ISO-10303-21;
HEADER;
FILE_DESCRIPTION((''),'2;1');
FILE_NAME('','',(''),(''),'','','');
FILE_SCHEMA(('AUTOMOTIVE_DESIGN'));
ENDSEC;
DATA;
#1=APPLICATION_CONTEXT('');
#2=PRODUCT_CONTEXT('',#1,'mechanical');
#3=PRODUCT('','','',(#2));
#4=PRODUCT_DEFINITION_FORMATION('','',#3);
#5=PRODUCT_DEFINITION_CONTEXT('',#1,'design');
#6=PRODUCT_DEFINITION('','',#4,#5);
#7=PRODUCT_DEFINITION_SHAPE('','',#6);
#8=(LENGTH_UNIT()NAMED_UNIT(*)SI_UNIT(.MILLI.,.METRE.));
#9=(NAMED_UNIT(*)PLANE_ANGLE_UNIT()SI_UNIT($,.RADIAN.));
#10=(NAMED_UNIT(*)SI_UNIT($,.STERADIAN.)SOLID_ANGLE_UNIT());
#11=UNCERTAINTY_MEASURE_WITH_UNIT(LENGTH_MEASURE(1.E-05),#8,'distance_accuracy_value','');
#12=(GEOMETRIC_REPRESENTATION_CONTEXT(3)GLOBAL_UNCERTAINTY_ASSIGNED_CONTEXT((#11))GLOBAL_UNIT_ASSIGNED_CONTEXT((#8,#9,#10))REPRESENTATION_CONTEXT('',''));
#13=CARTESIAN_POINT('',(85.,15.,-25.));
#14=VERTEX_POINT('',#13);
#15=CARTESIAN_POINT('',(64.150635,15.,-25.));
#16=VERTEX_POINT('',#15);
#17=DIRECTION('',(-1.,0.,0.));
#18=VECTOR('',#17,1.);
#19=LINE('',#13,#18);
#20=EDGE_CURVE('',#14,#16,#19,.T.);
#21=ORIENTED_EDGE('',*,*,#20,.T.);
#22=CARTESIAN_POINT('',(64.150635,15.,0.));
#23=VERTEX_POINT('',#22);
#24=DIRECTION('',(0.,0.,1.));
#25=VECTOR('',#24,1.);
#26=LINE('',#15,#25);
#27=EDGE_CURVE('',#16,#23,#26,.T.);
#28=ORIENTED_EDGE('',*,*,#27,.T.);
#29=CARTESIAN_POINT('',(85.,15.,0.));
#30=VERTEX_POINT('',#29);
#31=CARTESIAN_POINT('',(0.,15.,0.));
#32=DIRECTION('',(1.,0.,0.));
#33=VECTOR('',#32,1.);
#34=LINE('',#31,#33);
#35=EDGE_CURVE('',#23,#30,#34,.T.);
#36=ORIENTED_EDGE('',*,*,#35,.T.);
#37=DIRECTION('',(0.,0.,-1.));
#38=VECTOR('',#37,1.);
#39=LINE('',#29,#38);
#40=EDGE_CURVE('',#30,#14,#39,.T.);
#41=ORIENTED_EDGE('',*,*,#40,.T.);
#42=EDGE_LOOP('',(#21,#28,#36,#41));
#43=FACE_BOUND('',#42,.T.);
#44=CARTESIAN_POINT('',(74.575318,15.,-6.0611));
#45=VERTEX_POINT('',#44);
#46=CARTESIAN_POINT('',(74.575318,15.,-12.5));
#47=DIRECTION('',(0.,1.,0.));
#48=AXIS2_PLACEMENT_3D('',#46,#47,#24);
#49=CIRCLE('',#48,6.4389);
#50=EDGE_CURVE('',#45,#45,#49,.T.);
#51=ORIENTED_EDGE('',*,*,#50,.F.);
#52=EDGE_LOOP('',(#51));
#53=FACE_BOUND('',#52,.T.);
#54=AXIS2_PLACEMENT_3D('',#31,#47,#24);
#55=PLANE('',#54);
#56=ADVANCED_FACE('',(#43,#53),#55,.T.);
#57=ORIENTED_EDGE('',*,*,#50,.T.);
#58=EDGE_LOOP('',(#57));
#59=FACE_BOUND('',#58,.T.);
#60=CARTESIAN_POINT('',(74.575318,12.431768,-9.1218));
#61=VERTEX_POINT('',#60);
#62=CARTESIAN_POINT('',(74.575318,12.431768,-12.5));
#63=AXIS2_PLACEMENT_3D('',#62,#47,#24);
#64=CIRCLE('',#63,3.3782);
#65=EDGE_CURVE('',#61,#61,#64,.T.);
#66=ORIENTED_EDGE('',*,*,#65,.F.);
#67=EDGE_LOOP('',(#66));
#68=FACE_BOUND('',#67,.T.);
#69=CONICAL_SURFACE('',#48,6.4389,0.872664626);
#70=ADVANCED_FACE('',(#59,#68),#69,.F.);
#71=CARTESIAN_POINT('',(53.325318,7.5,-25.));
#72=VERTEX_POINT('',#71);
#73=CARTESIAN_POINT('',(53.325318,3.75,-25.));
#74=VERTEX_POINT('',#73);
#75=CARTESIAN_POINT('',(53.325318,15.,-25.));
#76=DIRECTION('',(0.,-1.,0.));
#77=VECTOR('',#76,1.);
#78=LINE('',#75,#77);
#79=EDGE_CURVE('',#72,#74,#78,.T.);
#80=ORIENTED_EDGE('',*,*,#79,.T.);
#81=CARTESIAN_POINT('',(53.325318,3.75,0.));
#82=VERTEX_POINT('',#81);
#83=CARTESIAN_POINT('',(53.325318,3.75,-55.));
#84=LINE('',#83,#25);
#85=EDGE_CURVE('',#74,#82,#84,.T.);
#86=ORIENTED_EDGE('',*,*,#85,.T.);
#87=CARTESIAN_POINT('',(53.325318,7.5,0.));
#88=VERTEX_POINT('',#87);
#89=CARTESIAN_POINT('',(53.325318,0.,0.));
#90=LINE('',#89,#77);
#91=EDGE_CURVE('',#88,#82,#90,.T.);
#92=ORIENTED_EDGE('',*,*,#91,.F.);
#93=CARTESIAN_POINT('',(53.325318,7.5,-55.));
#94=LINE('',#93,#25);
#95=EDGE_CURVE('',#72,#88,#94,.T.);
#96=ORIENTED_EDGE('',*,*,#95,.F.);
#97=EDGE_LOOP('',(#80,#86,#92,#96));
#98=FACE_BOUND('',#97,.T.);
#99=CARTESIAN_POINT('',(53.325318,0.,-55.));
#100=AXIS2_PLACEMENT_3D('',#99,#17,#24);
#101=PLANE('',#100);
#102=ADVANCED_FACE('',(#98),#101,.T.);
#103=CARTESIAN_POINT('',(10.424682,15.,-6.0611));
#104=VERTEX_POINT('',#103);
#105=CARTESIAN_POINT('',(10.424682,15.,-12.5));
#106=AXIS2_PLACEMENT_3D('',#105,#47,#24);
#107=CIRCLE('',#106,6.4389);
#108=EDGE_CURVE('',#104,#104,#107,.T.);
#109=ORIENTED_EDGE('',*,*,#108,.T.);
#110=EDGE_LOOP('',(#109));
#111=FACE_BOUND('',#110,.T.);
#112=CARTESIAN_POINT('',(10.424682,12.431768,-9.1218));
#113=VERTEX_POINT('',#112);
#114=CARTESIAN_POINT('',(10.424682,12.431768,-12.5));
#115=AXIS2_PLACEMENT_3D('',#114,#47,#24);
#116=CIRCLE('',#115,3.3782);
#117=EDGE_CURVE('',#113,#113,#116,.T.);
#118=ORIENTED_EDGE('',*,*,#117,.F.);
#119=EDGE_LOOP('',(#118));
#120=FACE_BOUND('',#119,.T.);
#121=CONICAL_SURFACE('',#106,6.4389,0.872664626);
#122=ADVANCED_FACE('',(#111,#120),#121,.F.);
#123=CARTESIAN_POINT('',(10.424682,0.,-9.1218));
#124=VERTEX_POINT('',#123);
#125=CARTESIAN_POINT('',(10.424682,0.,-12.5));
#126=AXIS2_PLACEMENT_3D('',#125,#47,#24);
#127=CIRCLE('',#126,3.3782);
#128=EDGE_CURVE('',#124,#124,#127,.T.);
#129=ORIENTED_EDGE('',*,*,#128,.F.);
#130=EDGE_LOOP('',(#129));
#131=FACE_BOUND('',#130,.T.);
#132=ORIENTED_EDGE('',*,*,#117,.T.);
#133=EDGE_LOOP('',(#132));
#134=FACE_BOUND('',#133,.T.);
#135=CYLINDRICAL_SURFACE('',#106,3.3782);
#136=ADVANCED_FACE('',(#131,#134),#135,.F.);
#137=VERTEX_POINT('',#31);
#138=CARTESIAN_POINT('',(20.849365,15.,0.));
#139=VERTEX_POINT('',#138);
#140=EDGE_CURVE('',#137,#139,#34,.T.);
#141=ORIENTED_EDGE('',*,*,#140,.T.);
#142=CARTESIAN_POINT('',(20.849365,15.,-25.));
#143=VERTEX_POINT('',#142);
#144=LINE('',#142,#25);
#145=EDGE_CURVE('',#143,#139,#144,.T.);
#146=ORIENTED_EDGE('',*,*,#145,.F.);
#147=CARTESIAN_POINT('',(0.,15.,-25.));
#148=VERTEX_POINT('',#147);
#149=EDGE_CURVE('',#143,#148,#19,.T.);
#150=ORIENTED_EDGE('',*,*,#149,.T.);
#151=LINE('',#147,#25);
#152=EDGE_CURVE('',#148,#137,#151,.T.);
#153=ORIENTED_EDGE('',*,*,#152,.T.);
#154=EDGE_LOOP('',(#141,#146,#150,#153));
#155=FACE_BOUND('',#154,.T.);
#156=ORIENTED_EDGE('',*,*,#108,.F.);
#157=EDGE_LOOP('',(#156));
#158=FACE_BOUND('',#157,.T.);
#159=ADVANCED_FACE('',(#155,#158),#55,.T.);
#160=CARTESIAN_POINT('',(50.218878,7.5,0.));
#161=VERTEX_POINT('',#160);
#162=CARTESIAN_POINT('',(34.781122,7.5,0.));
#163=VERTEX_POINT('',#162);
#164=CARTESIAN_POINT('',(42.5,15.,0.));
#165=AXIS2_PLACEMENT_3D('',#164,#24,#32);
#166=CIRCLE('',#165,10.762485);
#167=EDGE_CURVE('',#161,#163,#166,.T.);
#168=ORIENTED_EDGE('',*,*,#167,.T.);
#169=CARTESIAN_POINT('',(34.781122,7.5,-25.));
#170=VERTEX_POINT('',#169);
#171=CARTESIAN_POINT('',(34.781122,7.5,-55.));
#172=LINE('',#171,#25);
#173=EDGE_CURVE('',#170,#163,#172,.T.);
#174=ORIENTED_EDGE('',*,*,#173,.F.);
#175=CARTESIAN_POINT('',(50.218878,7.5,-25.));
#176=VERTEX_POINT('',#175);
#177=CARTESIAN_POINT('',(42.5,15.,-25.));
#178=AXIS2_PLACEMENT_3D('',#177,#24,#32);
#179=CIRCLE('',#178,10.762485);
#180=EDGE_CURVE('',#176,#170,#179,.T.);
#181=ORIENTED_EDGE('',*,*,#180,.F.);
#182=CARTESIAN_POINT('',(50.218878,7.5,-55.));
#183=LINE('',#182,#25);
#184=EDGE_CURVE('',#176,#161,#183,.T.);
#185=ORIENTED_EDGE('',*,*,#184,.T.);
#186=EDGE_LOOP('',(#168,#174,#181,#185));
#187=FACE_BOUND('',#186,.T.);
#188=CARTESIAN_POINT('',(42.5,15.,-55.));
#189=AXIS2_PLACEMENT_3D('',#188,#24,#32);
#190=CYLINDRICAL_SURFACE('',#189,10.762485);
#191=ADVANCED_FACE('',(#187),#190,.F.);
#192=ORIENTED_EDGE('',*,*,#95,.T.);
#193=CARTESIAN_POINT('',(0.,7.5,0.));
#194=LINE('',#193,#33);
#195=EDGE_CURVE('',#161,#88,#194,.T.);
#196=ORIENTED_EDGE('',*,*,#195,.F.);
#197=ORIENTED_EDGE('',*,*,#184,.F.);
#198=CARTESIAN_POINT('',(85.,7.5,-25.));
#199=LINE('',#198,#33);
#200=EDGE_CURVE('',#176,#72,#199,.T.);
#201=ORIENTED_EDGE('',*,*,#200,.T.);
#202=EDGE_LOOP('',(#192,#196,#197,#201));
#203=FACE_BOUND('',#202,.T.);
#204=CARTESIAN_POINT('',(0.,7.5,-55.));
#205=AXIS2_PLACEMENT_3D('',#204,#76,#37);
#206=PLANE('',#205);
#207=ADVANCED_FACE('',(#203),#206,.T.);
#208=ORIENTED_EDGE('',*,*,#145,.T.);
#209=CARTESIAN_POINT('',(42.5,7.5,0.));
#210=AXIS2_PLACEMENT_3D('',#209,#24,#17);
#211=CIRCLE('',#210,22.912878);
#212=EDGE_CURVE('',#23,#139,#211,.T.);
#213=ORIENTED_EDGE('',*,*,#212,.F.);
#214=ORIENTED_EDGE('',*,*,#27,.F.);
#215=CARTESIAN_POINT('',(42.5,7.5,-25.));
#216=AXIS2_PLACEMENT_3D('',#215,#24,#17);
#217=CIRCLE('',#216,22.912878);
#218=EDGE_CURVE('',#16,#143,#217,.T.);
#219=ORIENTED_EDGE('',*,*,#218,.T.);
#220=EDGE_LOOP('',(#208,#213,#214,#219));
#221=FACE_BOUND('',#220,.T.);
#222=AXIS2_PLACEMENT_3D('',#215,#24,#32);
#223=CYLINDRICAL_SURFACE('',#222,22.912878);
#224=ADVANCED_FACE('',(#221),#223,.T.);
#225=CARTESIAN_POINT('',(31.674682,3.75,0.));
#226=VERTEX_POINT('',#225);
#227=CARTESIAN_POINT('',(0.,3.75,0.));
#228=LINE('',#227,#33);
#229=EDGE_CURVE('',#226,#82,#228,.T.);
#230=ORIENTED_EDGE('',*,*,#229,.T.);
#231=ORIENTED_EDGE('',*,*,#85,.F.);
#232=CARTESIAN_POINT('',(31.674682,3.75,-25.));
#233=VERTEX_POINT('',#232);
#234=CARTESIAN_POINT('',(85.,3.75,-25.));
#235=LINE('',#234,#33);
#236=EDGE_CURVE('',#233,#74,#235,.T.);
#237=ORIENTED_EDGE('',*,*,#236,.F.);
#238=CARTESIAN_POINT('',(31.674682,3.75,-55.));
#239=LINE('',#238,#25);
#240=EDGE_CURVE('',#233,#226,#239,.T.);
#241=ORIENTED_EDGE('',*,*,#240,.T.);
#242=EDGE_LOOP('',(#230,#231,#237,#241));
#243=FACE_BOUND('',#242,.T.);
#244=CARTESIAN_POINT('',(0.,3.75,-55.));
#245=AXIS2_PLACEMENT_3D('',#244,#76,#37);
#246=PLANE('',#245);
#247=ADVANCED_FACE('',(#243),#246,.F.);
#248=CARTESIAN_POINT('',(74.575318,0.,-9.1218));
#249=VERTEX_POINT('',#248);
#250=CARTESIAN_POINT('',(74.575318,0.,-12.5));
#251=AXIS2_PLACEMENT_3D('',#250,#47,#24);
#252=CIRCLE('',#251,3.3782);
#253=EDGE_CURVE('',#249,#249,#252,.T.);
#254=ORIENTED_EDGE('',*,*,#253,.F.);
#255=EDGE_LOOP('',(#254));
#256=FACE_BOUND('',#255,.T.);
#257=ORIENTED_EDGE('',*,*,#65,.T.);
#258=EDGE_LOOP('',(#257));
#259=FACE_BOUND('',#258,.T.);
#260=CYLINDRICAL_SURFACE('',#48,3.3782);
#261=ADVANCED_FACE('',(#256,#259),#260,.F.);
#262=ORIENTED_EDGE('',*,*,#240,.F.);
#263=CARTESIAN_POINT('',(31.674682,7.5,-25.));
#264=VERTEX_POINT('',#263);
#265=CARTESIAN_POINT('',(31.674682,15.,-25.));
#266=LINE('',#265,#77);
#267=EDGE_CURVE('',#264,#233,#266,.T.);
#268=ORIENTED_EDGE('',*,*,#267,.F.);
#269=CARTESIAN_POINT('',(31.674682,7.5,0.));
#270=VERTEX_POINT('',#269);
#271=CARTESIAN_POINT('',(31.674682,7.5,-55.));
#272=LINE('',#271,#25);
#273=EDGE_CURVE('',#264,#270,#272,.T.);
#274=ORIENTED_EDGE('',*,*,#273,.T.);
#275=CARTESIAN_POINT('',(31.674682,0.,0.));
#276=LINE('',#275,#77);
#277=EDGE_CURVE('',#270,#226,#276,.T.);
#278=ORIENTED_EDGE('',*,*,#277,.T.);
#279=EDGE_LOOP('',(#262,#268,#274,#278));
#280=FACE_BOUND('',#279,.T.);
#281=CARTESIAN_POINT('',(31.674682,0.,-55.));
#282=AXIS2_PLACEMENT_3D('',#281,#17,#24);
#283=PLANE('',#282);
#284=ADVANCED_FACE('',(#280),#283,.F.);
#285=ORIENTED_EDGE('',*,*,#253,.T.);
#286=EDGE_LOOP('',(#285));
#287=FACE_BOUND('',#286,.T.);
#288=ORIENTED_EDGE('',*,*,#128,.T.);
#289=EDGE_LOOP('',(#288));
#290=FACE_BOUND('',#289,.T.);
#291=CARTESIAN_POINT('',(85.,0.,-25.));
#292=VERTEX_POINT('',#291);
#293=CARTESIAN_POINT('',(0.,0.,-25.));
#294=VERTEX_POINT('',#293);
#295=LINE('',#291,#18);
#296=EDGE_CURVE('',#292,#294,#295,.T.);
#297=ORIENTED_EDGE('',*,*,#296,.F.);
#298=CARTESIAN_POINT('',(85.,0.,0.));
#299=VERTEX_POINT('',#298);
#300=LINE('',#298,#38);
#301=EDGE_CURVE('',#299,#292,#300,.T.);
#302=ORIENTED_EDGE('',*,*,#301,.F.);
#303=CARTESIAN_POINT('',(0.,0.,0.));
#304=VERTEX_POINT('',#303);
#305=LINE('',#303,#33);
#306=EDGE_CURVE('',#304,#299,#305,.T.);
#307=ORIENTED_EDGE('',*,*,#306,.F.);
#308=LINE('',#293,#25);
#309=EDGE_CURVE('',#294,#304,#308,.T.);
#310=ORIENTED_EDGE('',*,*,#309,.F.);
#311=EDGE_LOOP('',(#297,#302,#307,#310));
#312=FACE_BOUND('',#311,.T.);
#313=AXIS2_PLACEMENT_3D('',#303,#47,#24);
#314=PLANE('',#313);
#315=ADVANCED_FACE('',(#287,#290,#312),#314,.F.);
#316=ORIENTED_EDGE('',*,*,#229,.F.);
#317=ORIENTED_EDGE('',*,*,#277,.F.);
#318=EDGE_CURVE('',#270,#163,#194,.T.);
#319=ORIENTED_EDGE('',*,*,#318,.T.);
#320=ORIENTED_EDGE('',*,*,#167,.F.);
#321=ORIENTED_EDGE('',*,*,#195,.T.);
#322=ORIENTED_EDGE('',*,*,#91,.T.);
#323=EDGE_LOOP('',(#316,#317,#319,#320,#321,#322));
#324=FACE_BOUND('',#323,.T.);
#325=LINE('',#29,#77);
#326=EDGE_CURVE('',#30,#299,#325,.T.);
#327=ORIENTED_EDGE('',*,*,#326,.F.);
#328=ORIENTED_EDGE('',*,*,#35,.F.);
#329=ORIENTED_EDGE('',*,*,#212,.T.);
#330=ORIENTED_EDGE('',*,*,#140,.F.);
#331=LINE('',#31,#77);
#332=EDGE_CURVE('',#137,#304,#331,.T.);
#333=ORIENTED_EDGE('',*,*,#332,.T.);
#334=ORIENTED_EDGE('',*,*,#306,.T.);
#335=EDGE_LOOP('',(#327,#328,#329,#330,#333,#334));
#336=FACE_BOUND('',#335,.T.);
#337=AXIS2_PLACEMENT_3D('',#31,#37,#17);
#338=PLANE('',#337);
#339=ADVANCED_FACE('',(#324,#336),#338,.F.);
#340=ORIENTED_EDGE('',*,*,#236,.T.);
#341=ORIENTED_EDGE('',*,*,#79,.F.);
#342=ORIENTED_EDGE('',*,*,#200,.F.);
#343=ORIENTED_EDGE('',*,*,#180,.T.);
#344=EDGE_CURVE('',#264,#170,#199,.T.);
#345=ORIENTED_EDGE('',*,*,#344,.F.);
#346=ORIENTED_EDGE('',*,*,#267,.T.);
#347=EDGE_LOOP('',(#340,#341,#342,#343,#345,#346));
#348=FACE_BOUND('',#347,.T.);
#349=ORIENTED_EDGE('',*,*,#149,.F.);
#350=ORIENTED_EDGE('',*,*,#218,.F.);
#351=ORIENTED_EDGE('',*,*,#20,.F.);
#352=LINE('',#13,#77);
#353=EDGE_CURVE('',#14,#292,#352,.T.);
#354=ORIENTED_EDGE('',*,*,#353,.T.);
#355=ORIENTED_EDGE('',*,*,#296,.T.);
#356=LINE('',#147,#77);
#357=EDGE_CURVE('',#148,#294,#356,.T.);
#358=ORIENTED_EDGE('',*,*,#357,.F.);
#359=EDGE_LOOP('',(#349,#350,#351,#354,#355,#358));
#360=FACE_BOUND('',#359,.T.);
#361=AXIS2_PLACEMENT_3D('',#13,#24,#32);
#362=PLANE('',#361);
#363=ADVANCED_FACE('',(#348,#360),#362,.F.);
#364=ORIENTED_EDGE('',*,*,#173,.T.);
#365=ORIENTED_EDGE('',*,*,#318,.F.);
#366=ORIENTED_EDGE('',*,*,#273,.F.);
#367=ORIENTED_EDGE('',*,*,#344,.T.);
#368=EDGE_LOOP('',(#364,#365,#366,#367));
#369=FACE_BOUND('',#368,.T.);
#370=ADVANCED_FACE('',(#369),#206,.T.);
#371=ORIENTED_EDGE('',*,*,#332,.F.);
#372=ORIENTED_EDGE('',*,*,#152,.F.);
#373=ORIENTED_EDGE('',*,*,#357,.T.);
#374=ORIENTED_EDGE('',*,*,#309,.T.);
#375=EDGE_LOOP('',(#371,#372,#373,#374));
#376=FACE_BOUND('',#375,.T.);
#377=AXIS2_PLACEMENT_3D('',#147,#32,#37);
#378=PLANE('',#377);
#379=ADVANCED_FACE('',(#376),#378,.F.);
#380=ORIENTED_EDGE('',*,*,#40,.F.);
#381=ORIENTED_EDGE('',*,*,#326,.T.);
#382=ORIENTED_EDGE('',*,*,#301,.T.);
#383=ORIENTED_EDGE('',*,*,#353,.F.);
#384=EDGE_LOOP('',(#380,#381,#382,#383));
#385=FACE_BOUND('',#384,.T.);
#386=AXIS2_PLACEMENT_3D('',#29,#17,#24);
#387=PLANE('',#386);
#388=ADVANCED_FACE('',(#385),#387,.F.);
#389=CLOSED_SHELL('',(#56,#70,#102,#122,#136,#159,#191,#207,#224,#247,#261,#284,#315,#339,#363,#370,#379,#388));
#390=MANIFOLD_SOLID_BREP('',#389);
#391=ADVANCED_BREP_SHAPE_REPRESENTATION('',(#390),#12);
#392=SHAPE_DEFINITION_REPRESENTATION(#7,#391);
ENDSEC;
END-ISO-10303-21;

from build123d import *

# Parameters (mm, degrees)
SKETCH2_W                                           = 85
SKETCH2_H                                           = 25
BOSS_EXTRUDE1_DEPTH                                 = 15
BOSS_EXTRUDE3_DEPTH                                 = 25
CSK_FOR_1_4_FLAT_HEAD_MACHINE_SCREW_100_D           = 6.7564
CSK_FOR_1_4_FLAT_HEAD_MACHINE_SCREW_100_CSINK_D     = 12.8778
CSK_FOR_1_4_FLAT_HEAD_MACHINE_SCREW_100_CSINK_ANGLE = 100
CUT_EXTRUDE1_DEPTH                                  = 55


with BuildPart() as part:
    # Sketch2 → Boss-Extrude1 (new body)
    with BuildSketch(Plane(origin=(0, 0, 0), x_dir=(1, 0, 0), z_dir=(0, 1, 0))):
        with Locations((42.5, 12.5)):
            Rectangle(SKETCH2_W, SKETCH2_H)
    extrude(amount=BOSS_EXTRUDE1_DEPTH)

    # Sketch6 → Boss-Extrude3 (add)
    with BuildSketch(Plane.XY):
        with BuildLine():
            Line((20.849364905, 15), (64.150635095, 15))
            ThreePointArc((64.150635095, 15), (42.5, 30.412878475), (20.849364905, 15))
        make_face()
    extrude(amount=-BOSS_EXTRUDE3_DEPTH)

    # CSK for 1/4 Flat Head Machine Screw (100)1 (through all)
    with Locations(Plane(origin=(0, 15, 0), x_dir=(1, 0, 0), z_dir=(0, 1, 0))):
        with Locations((74.575317547, 12.5), (10.424682453, 12.5)):
            CounterSinkHole(CSK_FOR_1_4_FLAT_HEAD_MACHINE_SCREW_100_D / 2, CSK_FOR_1_4_FLAT_HEAD_MACHINE_SCREW_100_CSINK_D / 2, counter_sink_angle=CSK_FOR_1_4_FLAT_HEAD_MACHINE_SCREW_100_CSINK_ANGLE)

    # Sketch7 → Cut-Extrude1 (cut)
    with BuildSketch(Plane.XY):
        with BuildLine():
            Line((53.325317547, 3.75), (53.325317547, 7.5))
            Line((53.325317547, 7.5), (50.218877835, 7.5))
            ThreePointArc((50.218877835, 7.5), (42.5, 25.762484612), (34.781122165, 7.5))
            Line((34.781122165, 7.5), (31.674682453, 7.5))
            Line((31.674682453, 7.5), (31.674682453, 3.75))
            Line((31.674682453, 3.75), (53.325317547, 3.75))
        make_face()
    extrude(amount=-CUT_EXTRUDE1_DEPTH, mode=Mode.SUBTRACT)


solid = part.part
